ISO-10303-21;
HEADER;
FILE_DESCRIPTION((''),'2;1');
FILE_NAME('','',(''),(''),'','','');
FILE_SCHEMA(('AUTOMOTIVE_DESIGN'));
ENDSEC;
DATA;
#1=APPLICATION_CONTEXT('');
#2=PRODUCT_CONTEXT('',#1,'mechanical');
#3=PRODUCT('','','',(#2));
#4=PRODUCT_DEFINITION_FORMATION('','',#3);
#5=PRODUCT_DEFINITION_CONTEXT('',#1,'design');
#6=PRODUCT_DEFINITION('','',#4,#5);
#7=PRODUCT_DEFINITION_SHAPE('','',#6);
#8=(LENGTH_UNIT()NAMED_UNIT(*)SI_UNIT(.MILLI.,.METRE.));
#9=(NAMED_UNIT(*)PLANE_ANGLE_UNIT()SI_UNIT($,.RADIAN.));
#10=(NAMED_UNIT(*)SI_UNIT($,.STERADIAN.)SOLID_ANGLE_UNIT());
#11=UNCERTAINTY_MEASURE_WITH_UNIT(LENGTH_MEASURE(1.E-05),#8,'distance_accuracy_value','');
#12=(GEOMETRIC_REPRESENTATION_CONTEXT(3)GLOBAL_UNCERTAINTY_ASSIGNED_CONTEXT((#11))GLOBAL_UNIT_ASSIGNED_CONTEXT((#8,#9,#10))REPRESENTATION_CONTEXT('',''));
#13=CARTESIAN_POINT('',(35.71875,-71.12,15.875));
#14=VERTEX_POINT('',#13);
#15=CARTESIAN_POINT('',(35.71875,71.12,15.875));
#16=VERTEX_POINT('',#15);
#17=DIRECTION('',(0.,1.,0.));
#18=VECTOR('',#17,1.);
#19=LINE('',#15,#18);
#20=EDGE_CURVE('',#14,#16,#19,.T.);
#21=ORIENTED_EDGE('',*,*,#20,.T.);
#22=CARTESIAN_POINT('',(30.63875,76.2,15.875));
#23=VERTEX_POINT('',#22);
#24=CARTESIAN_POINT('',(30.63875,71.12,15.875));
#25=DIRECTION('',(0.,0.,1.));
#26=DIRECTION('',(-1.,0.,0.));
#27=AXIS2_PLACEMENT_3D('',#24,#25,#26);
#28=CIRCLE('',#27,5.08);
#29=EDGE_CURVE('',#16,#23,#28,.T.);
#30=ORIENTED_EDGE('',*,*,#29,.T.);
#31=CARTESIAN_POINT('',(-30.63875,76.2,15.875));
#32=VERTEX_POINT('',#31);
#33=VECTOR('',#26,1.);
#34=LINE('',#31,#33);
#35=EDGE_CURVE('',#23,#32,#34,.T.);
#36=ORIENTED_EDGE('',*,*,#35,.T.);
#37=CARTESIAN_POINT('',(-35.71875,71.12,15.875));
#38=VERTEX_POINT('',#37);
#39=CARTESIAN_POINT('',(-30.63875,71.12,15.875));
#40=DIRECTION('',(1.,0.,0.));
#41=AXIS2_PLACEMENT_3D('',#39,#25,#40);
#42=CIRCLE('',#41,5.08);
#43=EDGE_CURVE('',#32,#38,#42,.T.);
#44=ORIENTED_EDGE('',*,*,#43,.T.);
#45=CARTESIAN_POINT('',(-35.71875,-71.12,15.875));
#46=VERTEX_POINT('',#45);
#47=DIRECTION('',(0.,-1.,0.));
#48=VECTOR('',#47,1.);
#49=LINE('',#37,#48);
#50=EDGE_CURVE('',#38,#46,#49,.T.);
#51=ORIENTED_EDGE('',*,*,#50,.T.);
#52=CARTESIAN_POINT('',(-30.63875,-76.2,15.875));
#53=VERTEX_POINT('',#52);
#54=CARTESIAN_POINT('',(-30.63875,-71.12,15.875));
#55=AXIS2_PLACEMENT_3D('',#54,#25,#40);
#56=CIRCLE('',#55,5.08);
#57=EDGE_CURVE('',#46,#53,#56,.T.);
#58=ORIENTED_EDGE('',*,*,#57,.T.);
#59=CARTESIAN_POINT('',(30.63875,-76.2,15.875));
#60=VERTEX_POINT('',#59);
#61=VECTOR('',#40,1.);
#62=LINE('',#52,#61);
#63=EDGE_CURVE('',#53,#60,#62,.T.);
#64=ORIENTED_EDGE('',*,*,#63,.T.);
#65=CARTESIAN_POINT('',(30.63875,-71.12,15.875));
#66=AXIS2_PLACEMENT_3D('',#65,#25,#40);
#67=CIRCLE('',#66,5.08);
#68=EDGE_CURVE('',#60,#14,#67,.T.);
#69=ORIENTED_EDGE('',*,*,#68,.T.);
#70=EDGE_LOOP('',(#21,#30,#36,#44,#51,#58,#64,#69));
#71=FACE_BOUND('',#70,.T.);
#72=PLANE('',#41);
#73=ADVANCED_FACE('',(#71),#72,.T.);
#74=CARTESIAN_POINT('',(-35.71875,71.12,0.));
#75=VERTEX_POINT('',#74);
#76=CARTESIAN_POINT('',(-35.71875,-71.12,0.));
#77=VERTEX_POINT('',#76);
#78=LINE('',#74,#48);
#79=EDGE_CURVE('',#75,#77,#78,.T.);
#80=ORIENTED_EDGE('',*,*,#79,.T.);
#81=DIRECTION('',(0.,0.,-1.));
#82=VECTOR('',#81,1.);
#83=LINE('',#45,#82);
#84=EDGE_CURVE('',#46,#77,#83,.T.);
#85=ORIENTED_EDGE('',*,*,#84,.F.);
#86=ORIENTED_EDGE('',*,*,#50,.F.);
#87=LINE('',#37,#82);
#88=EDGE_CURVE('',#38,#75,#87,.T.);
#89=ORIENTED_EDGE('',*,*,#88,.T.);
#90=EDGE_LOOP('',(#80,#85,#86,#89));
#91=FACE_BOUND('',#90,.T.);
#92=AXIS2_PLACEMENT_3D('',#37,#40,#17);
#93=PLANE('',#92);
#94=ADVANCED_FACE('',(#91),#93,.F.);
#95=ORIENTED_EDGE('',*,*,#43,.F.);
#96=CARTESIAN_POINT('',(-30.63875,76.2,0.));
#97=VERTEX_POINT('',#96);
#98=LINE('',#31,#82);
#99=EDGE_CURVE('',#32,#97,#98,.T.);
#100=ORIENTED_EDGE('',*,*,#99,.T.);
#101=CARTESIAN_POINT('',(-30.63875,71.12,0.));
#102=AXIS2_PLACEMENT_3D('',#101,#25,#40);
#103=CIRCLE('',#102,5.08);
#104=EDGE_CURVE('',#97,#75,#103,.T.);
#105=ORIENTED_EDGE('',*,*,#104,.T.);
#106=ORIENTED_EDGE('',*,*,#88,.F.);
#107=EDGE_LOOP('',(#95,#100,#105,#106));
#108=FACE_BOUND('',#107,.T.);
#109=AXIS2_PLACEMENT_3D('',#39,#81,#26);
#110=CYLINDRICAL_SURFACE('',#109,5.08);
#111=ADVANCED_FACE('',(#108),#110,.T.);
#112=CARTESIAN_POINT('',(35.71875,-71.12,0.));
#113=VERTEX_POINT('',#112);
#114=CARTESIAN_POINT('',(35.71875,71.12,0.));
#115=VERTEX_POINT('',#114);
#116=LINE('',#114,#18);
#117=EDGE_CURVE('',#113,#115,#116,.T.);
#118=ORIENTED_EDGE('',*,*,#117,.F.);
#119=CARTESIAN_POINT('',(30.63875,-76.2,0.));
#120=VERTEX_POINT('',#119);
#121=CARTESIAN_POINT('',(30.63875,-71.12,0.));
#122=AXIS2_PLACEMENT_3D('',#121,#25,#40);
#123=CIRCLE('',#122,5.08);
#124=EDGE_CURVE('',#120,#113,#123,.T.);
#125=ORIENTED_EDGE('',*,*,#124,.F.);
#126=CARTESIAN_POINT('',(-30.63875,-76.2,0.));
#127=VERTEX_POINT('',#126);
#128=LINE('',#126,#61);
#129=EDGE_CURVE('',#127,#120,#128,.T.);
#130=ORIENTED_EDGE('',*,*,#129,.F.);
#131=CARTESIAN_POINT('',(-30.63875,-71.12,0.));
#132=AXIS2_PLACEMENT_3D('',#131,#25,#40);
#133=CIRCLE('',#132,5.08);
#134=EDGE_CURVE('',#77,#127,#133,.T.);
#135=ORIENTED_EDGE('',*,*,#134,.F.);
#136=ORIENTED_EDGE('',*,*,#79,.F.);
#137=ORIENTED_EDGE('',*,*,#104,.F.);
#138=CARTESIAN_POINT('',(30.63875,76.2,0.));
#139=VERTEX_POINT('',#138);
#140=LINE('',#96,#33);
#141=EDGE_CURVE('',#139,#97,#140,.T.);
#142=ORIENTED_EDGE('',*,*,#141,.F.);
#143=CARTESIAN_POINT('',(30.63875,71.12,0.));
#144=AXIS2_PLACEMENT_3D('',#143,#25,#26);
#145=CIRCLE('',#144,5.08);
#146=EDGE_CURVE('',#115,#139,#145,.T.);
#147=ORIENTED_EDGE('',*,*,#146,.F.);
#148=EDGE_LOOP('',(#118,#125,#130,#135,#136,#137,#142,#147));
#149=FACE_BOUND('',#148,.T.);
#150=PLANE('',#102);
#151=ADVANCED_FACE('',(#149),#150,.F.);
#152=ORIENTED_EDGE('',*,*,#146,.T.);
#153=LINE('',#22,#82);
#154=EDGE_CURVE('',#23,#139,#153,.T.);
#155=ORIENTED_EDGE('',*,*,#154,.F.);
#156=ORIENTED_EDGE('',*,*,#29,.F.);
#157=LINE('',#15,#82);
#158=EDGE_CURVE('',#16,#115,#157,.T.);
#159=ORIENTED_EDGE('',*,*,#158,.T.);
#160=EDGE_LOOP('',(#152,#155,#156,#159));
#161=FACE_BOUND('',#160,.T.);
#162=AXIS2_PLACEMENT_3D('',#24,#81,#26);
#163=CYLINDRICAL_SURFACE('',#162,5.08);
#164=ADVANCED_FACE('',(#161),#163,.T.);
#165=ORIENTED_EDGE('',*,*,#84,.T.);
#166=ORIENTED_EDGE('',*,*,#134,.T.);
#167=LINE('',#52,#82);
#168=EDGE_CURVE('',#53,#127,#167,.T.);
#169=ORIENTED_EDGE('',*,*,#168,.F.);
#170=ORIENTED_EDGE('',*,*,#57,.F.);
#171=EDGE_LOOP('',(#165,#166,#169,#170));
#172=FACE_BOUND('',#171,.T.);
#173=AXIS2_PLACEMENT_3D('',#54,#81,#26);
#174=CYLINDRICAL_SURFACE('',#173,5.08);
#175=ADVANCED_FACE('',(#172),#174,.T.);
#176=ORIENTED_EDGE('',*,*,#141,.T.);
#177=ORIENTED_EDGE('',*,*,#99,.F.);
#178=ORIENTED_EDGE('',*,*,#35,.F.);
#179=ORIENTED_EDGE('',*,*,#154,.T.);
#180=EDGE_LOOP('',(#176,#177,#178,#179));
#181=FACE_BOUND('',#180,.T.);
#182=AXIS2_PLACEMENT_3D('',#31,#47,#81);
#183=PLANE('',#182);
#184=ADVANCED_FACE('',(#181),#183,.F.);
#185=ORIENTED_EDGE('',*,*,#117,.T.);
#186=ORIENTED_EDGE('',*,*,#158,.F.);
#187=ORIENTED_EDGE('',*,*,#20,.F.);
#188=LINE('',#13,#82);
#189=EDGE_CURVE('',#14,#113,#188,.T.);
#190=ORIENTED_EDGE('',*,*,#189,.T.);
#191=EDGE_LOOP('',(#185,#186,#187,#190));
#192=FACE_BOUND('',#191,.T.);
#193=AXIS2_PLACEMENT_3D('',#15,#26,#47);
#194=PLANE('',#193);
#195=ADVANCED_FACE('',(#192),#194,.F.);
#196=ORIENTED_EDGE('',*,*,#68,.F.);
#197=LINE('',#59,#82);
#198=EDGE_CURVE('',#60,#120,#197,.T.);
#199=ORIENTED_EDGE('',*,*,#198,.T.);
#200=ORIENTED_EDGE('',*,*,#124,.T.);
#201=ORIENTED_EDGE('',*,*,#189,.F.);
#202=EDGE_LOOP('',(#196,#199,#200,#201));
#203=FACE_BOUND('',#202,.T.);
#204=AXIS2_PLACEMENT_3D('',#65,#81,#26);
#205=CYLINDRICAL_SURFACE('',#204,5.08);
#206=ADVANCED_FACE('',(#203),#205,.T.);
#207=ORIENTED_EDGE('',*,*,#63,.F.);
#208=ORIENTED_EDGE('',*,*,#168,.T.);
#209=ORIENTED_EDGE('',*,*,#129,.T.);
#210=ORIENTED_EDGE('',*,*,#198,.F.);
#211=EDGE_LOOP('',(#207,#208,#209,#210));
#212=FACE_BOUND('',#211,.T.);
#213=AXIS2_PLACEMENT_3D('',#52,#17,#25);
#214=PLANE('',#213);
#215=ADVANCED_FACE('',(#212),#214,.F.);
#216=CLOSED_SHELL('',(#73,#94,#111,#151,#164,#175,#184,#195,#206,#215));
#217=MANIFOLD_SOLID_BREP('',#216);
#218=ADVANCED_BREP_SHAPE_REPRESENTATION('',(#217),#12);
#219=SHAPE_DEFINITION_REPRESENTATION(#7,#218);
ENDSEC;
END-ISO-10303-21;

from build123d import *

# Parameters (mm, degrees)
BOSS_EXTRUDE1_DEPTH = 15.875


with BuildPart() as part:
    # Sketch2 → Boss-Extrude1 (new body)
    with BuildSketch(Plane.XY):
        with BuildLine():
            Line((-30.63875, 76.2), (30.63875, 76.2))
            ThreePointArc((30.63875, 76.2), (34.230852448, 74.712102448), (35.71875, 71.12))
            Line((35.71875, 71.12), (35.71875, -71.12))
            ThreePointArc((35.71875, -71.12), (34.230852448, -74.712102448), (30.63875, -76.2))
            Line((30.63875, -76.2), (-30.63875, -76.2))
            ThreePointArc((-30.63875, -76.2), (-34.230852448, -74.712102448), (-35.71875, -71.12))
            Line((-35.71875, -71.12), (-35.71875, 71.12))
            ThreePointArc((-35.71875, 71.12), (-34.230852448, 74.712102448), (-30.63875, 76.2))
        make_face()
    extrude(amount=BOSS_EXTRUDE1_DEPTH)


solid = part.part
